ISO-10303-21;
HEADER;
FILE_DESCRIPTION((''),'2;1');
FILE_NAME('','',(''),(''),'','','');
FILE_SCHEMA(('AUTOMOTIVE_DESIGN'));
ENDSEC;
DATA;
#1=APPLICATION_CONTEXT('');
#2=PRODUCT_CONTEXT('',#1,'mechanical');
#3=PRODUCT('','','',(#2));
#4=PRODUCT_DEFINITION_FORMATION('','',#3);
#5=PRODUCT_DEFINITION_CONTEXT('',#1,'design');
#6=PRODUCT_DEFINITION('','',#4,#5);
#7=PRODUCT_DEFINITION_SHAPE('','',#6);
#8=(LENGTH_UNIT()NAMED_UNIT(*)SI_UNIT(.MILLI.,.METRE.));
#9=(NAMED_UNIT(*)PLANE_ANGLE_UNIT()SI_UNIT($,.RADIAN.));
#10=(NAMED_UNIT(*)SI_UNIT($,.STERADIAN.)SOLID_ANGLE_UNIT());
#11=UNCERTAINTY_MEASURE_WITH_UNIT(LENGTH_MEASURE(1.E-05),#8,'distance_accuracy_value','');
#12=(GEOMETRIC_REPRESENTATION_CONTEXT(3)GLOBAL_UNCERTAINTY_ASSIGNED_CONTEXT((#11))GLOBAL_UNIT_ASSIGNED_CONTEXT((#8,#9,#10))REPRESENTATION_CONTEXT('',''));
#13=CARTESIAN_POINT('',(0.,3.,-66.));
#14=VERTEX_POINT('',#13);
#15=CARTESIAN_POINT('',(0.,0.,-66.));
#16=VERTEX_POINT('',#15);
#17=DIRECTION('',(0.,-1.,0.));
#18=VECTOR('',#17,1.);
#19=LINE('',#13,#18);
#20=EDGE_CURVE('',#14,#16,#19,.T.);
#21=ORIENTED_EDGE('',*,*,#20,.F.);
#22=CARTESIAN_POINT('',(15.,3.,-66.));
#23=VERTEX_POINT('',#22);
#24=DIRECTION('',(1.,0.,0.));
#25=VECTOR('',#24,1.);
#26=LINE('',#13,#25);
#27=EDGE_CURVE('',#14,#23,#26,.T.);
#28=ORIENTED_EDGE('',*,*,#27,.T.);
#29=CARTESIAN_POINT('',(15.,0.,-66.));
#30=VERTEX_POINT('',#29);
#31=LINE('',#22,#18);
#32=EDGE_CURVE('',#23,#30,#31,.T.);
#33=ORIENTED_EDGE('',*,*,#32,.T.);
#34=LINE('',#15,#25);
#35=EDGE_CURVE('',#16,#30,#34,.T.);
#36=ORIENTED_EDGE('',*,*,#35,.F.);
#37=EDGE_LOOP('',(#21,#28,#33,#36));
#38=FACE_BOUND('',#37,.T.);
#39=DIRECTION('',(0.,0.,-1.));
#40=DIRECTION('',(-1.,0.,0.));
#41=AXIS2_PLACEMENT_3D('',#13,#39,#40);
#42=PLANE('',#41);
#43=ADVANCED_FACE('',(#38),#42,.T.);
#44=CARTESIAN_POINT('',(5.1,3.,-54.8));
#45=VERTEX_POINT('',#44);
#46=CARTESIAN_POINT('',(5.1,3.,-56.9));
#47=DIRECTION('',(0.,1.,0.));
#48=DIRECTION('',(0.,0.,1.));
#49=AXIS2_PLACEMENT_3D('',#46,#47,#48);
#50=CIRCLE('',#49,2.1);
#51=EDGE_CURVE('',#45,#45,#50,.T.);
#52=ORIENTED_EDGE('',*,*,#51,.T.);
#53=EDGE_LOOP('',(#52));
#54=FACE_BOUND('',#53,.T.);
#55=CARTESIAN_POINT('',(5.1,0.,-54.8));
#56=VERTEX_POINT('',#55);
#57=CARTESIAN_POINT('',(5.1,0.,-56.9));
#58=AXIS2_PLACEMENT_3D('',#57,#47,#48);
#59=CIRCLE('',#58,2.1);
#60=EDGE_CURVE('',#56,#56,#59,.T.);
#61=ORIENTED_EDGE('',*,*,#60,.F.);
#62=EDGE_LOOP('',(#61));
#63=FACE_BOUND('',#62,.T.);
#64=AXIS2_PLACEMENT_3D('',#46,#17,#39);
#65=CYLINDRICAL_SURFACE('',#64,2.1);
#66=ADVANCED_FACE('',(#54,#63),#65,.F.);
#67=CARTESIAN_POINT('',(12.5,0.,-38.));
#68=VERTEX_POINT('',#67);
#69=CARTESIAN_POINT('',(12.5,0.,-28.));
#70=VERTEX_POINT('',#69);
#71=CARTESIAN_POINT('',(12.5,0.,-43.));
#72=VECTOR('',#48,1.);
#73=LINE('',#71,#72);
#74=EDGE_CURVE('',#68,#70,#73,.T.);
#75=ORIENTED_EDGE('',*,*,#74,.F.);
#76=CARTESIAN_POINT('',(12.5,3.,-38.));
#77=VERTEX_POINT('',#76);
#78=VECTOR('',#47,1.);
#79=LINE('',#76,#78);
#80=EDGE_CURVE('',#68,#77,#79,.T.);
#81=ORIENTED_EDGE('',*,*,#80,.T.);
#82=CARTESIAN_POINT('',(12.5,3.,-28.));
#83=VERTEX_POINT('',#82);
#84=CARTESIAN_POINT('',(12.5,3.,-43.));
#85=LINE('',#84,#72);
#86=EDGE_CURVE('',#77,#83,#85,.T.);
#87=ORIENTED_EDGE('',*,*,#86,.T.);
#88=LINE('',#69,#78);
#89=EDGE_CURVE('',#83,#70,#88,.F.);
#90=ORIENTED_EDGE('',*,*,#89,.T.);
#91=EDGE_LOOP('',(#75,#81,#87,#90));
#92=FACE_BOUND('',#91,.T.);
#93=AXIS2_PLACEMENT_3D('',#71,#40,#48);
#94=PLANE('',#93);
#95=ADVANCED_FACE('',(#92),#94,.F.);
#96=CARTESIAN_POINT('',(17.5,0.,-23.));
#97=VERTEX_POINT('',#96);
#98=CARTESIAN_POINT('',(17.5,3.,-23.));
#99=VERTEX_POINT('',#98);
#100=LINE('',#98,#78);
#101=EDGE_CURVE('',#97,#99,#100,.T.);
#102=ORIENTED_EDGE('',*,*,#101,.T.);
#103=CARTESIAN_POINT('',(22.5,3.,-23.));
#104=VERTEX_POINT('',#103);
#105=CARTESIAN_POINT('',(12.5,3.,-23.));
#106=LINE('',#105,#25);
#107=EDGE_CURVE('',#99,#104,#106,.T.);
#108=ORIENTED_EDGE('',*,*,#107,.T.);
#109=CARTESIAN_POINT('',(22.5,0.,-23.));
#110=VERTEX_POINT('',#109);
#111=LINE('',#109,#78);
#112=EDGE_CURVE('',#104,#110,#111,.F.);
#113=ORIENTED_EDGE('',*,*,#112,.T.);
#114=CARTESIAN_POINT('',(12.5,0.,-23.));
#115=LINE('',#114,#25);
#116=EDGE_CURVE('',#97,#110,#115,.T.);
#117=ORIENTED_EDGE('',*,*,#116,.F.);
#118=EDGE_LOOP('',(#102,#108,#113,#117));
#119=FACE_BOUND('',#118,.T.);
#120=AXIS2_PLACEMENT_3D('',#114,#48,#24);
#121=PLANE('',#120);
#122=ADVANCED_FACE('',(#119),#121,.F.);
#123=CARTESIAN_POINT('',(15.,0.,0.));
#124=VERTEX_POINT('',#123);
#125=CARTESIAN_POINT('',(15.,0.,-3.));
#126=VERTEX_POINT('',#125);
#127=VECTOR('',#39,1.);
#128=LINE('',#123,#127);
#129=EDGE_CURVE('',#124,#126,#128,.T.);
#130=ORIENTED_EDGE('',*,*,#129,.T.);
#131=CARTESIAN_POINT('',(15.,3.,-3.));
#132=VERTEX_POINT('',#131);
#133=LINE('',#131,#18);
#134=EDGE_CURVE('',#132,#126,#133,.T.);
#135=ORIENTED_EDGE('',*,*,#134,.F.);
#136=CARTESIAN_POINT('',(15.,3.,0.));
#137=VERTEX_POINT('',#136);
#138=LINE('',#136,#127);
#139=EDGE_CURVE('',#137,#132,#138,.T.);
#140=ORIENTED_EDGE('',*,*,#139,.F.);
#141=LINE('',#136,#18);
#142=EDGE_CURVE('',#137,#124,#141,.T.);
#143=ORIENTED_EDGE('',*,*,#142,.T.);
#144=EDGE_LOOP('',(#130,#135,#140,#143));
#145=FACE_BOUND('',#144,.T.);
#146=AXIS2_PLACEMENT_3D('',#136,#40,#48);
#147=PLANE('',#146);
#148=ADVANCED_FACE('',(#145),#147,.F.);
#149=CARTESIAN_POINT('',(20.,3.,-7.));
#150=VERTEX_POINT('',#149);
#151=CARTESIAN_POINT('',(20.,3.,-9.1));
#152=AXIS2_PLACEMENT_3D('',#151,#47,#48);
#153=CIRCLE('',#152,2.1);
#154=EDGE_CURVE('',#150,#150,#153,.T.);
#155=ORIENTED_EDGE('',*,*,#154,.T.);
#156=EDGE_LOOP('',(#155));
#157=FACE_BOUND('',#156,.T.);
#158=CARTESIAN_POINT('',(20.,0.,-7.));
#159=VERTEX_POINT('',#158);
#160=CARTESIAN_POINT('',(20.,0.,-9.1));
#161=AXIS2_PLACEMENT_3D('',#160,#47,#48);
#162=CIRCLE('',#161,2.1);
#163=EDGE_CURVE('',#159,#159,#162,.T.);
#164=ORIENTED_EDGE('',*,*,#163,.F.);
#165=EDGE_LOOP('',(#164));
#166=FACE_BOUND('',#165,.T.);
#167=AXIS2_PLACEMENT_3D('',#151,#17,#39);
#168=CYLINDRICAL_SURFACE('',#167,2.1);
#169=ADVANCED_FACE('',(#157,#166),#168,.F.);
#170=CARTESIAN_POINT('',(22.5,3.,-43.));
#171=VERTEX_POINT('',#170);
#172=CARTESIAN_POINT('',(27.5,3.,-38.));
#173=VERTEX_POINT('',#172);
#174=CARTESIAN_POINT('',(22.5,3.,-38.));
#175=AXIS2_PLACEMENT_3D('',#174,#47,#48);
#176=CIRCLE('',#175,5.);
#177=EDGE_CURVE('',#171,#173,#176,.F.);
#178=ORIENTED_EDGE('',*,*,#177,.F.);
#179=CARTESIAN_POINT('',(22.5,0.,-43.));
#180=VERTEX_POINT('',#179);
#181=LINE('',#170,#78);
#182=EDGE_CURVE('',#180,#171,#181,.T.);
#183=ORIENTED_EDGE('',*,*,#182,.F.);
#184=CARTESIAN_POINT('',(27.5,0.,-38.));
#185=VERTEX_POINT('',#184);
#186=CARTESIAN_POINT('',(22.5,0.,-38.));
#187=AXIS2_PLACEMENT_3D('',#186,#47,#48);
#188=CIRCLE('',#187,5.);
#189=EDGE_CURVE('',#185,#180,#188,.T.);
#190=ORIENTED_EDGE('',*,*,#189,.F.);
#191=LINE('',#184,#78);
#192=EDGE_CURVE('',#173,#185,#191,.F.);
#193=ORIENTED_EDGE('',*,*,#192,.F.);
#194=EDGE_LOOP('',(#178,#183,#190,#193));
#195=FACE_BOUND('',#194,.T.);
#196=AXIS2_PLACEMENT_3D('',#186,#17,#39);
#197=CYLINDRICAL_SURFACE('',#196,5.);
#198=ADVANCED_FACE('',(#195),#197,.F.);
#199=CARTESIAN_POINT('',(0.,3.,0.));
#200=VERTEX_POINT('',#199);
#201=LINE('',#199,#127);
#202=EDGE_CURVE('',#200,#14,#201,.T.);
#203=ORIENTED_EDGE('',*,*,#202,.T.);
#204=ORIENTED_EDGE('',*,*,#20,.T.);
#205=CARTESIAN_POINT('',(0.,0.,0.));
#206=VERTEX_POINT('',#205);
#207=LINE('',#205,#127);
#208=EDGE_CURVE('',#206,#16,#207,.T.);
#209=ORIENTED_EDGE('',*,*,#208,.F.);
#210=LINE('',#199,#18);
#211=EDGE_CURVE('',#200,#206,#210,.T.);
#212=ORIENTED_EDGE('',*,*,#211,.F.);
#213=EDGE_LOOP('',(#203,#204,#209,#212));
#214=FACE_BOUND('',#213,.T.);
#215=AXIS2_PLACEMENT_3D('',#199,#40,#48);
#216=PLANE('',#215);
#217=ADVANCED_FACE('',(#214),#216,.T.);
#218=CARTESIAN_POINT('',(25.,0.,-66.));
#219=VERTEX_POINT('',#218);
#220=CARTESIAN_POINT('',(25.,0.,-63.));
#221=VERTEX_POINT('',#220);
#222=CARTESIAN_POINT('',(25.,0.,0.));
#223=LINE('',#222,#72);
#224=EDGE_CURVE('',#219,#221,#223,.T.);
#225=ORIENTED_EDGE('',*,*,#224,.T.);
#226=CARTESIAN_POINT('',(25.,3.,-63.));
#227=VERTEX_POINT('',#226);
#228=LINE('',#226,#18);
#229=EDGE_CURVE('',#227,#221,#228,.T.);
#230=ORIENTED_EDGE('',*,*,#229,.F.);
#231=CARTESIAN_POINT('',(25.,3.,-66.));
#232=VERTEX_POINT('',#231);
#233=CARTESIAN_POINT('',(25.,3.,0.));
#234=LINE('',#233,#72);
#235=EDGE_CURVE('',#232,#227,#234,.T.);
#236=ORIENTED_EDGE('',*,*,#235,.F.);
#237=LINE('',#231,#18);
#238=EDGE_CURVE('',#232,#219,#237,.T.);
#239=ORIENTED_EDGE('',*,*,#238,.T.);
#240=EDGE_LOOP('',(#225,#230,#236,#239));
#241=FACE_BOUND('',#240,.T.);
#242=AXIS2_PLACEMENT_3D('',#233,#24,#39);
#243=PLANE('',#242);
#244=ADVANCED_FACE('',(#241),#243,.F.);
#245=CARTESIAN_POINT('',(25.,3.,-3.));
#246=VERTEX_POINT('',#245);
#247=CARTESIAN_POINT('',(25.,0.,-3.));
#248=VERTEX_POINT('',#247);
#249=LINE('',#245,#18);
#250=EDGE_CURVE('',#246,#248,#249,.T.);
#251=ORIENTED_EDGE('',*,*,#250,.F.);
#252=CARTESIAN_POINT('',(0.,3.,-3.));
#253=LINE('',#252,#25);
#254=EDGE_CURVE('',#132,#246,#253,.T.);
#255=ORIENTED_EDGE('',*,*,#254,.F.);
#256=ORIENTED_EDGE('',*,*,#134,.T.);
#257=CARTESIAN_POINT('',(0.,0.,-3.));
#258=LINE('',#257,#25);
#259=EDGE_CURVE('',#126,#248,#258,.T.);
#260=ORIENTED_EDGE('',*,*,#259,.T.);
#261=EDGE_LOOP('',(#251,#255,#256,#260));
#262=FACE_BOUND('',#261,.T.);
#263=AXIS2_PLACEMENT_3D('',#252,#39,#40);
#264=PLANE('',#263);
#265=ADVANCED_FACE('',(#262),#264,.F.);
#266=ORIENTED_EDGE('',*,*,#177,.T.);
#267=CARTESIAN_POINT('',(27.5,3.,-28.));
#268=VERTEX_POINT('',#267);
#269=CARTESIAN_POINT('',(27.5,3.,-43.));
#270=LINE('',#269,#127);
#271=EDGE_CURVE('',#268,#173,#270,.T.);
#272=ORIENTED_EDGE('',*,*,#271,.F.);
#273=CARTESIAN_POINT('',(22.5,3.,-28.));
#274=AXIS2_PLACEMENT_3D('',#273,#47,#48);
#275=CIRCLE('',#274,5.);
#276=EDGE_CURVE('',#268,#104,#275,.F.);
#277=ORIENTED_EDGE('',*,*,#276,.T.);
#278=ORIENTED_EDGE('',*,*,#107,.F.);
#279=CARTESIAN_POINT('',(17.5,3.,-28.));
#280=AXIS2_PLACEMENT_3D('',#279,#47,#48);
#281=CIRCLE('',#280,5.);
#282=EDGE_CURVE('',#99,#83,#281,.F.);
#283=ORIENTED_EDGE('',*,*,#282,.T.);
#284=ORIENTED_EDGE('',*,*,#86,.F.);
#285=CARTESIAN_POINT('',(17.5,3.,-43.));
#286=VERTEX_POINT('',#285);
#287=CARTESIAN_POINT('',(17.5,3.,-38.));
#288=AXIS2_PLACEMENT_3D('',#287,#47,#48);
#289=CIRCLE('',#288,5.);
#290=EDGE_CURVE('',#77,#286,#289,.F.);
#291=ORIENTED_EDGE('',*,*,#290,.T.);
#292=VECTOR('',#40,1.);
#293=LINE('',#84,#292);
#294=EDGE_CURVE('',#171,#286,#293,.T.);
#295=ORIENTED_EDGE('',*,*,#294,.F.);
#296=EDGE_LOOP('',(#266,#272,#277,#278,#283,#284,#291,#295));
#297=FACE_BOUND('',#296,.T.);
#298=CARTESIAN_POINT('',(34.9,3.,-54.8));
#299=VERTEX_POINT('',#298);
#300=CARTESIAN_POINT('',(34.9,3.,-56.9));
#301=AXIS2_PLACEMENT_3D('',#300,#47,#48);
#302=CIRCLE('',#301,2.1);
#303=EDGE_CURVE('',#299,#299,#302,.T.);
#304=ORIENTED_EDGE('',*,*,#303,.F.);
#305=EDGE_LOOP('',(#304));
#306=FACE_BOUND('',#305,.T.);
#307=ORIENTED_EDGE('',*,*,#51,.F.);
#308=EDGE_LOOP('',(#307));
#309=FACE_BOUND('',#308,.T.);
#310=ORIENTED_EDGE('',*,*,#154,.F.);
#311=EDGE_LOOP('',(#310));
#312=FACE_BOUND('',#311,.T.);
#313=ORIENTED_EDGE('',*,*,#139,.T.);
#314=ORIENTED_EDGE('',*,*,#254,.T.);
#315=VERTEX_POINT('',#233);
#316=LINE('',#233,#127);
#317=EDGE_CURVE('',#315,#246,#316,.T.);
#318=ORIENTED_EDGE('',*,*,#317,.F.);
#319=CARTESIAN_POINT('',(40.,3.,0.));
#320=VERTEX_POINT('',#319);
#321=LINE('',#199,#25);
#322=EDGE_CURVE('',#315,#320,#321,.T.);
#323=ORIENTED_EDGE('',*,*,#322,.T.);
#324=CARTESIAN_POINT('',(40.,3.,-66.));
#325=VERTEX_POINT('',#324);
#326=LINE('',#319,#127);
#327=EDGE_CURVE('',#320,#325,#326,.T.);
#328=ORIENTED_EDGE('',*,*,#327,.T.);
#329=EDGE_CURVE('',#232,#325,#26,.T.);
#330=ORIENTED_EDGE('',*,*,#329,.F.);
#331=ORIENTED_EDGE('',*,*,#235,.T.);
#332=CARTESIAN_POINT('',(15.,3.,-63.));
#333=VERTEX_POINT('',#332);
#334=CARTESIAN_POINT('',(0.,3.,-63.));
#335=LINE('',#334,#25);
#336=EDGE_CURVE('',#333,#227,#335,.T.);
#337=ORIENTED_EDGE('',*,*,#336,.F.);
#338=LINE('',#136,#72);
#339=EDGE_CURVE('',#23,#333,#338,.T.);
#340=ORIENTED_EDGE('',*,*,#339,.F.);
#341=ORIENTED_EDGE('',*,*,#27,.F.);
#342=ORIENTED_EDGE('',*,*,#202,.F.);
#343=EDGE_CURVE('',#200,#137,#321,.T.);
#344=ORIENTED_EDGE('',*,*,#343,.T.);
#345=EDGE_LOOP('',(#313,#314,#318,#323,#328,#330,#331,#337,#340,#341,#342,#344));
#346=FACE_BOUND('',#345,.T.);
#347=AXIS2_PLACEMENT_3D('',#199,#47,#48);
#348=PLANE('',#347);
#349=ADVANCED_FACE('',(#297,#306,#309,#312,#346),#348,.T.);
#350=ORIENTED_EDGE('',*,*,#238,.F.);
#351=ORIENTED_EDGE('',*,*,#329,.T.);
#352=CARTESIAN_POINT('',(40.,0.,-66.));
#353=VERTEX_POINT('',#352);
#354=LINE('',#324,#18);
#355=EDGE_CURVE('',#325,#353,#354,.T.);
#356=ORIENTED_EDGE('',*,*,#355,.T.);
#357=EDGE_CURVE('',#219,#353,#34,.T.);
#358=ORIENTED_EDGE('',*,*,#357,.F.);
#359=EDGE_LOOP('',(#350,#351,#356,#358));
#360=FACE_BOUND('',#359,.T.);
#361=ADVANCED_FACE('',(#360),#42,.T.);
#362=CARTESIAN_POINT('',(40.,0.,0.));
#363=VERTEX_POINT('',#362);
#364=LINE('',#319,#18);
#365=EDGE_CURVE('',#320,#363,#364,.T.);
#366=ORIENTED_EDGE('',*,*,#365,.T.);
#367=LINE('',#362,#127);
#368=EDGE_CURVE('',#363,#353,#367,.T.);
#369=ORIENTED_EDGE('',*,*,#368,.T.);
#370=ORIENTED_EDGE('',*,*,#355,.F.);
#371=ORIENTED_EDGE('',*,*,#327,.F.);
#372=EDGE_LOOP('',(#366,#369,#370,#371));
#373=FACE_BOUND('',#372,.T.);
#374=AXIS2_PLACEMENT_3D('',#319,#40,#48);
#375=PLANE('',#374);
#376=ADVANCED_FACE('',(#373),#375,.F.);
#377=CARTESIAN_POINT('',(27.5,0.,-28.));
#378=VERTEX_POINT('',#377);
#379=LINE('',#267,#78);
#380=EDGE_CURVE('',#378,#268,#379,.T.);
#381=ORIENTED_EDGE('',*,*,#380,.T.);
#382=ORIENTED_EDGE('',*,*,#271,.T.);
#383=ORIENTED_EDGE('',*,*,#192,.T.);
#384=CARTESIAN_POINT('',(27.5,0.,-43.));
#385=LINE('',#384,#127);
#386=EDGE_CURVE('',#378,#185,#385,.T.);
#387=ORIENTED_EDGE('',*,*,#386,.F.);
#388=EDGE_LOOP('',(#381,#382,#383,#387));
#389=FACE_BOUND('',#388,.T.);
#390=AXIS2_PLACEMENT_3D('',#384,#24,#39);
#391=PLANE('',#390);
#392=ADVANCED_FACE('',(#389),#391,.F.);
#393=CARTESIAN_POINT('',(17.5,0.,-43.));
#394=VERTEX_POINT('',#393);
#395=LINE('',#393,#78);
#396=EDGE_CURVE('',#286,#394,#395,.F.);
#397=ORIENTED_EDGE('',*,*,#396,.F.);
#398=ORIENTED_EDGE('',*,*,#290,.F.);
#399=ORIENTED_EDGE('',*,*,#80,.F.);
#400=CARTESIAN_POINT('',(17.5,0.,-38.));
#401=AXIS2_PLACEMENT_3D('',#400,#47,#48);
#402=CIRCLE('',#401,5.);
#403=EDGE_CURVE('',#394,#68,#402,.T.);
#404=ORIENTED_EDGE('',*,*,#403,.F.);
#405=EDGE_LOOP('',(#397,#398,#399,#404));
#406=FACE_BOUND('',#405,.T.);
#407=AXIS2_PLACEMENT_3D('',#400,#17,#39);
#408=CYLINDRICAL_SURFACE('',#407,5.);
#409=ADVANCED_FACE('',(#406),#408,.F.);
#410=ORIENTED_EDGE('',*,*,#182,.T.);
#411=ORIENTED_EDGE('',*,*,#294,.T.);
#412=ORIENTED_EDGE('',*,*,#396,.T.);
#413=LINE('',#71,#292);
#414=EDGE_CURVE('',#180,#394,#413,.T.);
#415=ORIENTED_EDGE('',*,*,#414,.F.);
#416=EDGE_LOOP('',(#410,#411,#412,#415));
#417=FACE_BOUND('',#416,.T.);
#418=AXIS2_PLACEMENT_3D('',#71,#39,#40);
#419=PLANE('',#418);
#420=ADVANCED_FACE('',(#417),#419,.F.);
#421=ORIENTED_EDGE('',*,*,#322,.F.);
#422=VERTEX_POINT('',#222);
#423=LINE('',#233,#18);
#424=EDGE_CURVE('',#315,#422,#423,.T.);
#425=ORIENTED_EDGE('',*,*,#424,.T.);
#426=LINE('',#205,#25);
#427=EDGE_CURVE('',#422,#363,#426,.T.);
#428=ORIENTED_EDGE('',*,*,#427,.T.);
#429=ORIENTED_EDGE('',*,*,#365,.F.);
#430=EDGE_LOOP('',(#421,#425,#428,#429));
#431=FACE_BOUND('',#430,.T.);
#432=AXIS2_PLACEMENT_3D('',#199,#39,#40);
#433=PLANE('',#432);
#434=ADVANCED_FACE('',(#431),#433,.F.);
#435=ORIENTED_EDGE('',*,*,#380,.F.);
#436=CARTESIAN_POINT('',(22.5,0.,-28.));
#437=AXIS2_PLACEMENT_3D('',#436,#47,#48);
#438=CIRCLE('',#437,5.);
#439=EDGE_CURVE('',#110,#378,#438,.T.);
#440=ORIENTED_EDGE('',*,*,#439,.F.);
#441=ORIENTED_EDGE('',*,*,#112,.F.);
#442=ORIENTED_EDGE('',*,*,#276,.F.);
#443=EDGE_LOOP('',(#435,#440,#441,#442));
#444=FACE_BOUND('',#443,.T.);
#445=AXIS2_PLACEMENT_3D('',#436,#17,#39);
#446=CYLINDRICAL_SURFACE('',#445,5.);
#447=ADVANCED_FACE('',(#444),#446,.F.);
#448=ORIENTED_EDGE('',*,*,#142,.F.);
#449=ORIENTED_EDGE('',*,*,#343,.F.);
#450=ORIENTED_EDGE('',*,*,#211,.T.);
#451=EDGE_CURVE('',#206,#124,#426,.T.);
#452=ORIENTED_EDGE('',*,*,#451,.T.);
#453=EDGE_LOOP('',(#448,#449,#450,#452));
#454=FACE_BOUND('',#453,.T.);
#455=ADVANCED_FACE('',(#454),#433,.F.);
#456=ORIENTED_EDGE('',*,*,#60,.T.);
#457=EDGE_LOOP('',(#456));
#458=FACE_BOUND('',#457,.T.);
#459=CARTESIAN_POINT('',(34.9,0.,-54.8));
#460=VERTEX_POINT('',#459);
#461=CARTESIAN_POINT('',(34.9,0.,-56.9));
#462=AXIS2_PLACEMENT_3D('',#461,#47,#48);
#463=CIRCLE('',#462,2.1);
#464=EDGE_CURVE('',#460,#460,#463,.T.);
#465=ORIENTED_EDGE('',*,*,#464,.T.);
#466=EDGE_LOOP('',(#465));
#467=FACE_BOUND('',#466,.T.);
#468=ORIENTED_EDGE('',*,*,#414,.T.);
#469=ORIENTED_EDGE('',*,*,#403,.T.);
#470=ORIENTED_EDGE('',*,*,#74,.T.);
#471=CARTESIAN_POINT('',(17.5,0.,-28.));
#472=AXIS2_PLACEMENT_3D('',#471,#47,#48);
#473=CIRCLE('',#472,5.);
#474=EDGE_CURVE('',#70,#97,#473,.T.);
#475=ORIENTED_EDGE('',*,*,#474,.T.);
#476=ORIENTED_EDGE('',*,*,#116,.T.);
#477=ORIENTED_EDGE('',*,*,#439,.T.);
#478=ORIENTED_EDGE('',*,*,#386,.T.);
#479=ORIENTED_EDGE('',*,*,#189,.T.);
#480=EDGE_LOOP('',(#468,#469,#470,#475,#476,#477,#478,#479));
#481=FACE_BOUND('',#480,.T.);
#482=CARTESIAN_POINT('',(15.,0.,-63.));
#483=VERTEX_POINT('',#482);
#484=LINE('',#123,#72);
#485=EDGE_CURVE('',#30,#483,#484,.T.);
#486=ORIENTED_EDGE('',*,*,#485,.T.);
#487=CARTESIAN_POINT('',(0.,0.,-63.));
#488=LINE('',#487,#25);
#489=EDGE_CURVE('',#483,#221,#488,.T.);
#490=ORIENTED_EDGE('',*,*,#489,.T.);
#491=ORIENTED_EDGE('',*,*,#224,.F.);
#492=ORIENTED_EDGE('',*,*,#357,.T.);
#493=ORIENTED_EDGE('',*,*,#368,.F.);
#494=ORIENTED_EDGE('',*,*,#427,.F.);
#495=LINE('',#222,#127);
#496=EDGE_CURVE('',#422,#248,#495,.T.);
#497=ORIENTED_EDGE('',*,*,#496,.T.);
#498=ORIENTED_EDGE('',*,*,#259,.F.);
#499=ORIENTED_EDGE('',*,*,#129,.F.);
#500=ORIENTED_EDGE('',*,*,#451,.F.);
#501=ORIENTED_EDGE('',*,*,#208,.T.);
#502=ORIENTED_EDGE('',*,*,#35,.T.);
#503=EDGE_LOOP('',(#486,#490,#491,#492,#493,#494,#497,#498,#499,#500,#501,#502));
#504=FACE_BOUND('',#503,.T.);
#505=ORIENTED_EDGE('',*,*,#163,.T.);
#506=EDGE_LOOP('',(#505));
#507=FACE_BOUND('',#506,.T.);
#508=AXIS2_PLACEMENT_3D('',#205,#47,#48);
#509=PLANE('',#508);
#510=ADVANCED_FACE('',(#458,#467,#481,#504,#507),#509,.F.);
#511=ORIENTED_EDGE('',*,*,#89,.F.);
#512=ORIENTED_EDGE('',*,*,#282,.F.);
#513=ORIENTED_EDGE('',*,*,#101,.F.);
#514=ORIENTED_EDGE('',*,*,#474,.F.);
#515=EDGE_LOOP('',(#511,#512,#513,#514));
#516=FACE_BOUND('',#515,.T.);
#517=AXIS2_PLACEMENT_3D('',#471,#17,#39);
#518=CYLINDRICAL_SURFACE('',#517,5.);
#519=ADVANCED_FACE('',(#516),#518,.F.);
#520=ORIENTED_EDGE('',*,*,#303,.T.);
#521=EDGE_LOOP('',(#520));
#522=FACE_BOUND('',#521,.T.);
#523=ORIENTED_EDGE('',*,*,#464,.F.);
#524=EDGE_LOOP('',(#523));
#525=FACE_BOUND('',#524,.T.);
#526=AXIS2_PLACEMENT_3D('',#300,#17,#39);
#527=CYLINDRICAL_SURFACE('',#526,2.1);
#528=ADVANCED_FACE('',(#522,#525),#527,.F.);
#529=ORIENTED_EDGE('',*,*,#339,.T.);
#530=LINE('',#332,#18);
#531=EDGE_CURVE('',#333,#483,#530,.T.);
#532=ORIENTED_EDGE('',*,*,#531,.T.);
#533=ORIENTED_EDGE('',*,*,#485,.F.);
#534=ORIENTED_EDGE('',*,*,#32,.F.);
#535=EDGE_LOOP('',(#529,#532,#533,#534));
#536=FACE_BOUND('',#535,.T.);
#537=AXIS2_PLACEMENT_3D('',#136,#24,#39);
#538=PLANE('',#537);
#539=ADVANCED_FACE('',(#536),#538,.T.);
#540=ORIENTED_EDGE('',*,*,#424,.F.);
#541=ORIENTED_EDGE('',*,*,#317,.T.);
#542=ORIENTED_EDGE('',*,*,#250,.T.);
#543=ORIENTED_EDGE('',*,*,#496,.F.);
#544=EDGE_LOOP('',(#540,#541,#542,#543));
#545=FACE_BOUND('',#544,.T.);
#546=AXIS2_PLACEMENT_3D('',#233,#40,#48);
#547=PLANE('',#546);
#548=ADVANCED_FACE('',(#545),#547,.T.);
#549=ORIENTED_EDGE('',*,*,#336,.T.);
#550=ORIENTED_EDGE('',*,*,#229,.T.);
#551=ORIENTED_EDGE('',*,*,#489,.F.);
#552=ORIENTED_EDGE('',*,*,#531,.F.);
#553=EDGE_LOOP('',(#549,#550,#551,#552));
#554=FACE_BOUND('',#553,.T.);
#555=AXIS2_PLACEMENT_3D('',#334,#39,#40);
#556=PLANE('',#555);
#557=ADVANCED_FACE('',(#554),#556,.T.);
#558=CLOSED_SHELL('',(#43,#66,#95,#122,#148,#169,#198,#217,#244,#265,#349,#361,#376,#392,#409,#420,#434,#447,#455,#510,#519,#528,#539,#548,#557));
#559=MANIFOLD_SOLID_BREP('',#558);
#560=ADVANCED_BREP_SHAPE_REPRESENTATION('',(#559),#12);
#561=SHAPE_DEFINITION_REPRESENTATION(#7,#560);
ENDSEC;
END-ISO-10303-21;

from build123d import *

# Parameters (mm, degrees)
SKETCH1_R           = 2.1
BOSS_EXTRUDE1_DEPTH = 3
SKETCH3_W           = 15
SKETCH3_H           = 20
CUT_EXTRUDE1_DEPTH  = 78.233412459
FILLET1_R           = 5


with BuildPart() as part:
    # Sketch1 → Boss-Extrude1 (new body)
    with BuildSketch(Plane(origin=(0, 0, 0), x_dir=(1, 0, 0), z_dir=(0, 1, 0))):
        Polygon((0, 0), (15, 0), (15, 3), (25, 3), (25, 0), (40, 0), (40, 66), (25, 66), (25, 63), (15, 63), (15, 66), (0, 66), align=None)
        with Locations(Location((34.9, 56.9, 0), (0, 0, 270))):
            Circle(SKETCH1_R, mode=Mode.SUBTRACT)
        with Locations(Location((20, 9.1, 0), (0, 0, 270))):
            Circle(SKETCH1_R, mode=Mode.SUBTRACT)
        with Locations(Location((5.1, 56.9, 0), (0, 0, 270))):
            Circle(SKETCH1_R, mode=Mode.SUBTRACT)
    extrude(amount=BOSS_EXTRUDE1_DEPTH)

    # Sketch3 → Cut-Extrude1 (cut, through all)
    with BuildSketch(Plane(origin=(0, 3, 0), x_dir=(1, 0, 0), z_dir=(0, 1, 0))):
        with Locations((20, 33)):
            Rectangle(SKETCH3_W, SKETCH3_H)
    extrude(amount=-CUT_EXTRUDE1_DEPTH, mode=Mode.SUBTRACT)

    # Fillet1
    fillet1_edges = [part.edges().sort_by_distance(p)[0] for p in [
        (12.5, 1.5, -23),
        (12.5, 1.5, -43),
        (27.5, 1.5, -43),
        (27.5, 1.5, -23),
    ]]
    fillet(fillet1_edges, radius=FILLET1_R)


solid = part.part
